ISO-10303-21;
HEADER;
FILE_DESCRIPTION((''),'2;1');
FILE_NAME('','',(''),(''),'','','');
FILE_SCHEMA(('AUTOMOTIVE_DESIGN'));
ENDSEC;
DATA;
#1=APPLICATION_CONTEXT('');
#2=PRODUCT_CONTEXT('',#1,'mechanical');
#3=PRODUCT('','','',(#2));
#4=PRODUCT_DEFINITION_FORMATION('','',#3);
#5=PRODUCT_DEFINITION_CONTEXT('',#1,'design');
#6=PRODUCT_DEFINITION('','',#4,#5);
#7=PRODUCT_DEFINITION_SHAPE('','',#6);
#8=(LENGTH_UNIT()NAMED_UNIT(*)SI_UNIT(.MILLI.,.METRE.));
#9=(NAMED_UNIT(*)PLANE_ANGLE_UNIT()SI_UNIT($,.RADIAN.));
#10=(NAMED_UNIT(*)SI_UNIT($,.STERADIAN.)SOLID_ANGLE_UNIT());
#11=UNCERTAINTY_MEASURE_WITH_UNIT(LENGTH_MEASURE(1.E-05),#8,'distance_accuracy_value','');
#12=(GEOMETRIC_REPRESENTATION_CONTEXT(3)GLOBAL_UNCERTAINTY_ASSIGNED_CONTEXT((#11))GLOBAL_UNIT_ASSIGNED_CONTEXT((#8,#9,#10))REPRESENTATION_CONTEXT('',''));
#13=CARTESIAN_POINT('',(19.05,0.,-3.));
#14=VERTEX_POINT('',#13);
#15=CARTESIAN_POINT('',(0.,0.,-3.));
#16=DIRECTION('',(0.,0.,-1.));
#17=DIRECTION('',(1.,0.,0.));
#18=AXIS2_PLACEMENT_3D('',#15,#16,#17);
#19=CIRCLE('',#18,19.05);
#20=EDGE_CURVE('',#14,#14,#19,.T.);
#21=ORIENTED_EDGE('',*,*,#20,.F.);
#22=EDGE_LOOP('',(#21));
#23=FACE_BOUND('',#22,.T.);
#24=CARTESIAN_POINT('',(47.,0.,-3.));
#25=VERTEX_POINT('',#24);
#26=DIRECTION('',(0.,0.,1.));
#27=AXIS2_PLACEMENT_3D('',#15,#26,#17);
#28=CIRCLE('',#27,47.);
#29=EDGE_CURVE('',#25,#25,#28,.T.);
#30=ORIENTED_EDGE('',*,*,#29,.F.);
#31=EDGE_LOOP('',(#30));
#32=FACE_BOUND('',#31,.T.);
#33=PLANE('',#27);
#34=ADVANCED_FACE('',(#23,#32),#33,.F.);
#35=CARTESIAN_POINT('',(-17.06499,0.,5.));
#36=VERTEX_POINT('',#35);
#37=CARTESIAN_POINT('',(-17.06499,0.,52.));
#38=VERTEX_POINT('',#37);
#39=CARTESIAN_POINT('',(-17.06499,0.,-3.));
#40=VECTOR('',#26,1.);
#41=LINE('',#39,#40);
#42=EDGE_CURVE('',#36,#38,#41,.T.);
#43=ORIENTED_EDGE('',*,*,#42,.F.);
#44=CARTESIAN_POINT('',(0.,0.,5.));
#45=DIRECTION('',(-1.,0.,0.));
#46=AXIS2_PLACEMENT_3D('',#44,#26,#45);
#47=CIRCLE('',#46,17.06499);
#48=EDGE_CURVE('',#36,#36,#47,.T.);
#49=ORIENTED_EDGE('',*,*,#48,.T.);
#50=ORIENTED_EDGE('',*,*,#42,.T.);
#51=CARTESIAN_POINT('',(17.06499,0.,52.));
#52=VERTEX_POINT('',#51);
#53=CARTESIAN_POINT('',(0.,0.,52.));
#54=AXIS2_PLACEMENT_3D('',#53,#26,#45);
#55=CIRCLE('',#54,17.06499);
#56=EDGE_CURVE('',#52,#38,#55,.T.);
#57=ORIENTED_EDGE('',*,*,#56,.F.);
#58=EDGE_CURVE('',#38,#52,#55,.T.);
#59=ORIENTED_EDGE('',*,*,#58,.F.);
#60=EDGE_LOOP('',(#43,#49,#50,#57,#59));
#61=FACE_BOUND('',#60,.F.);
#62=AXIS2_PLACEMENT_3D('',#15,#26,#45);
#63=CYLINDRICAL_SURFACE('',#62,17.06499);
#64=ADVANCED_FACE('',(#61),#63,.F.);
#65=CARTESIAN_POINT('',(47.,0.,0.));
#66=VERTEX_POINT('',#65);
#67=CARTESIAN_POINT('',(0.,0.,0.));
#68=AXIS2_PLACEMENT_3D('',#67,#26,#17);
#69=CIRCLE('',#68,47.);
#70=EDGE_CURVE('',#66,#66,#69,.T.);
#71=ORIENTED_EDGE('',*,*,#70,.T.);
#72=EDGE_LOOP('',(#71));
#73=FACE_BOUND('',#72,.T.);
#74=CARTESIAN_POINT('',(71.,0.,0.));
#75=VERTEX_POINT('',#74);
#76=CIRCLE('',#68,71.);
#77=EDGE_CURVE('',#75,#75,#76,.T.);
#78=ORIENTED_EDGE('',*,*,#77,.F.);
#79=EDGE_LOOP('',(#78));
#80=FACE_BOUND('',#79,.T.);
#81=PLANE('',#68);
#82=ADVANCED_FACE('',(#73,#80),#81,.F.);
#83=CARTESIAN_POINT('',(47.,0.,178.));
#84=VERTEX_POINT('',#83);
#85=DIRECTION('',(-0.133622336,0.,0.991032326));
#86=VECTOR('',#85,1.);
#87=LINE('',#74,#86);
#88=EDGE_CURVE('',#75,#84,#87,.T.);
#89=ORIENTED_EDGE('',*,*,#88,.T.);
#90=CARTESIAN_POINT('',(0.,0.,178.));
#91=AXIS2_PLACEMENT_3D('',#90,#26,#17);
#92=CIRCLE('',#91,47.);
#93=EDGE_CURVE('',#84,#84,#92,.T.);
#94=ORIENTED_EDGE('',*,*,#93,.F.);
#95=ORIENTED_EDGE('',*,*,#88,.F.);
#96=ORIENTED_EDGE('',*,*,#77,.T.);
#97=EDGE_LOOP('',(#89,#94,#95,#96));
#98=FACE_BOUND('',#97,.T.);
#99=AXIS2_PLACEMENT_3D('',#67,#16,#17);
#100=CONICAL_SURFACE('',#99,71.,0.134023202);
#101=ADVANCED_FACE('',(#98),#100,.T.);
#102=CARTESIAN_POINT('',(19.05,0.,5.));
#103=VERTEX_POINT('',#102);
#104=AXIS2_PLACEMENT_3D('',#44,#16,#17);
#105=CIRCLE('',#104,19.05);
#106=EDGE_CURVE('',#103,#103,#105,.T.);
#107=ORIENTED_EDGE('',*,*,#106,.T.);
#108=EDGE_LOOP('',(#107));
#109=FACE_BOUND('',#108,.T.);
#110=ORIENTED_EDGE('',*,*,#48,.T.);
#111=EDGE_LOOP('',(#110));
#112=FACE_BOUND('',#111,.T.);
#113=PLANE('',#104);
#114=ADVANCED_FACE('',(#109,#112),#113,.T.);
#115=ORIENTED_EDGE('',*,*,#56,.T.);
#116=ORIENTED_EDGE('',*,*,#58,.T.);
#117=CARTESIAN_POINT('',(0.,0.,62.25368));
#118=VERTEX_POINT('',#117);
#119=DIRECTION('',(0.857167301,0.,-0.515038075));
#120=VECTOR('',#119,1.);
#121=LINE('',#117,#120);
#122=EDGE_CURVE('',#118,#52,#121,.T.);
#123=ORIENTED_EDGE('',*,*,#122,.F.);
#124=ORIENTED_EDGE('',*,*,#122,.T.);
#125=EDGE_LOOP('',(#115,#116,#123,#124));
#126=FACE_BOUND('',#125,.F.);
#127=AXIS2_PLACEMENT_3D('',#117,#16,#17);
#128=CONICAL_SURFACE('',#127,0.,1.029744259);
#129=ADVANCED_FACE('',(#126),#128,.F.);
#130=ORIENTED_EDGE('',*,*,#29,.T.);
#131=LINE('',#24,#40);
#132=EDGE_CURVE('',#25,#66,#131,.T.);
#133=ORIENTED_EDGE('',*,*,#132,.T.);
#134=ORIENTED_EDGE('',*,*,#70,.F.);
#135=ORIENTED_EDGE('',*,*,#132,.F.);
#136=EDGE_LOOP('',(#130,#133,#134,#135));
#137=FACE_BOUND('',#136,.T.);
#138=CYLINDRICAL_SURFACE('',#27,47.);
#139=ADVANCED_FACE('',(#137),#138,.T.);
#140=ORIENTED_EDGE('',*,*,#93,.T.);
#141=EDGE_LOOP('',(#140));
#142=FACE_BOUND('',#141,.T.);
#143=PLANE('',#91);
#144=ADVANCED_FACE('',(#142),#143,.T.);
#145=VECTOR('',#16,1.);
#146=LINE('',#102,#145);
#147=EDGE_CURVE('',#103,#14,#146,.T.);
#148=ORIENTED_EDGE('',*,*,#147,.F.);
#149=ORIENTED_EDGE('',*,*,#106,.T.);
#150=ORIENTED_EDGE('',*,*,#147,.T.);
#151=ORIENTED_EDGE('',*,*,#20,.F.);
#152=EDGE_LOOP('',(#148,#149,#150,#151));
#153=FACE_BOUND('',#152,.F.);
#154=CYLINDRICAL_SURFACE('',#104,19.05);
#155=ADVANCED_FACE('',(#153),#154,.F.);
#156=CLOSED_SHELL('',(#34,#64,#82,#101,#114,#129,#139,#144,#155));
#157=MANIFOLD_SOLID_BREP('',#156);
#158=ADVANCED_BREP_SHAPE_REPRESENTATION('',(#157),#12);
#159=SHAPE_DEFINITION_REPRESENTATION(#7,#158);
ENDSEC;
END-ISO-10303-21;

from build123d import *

# Parameters (mm, degrees)
F3_D           = 34.12998
F3_DEPTH       = 55
F3_CBORE_D     = 38.1
F3_CBORE_DEPTH = 8
F3_TIP         = 10.2536804551


with BuildPart() as f1:
    # F0 (on Front) → F1 (revolve)
    with BuildSketch(Plane.XZ):
        Polygon((47, -3), (47, 0), (71, 0), (47, 178), (0, 178), (0, 0), (0, -3), align=None)
    revolve(axis=Axis((0, 0, 89), (0, 0, 1)))

    # F3
    with Locations(Plane(origin=(0, 0, -3), x_dir=(1, 0, 0), z_dir=(0, 0, -1))):
        with Locations((0, 0)):
            CounterBoreHole(F3_D / 2, F3_CBORE_D / 2, F3_CBORE_DEPTH, depth=F3_DEPTH)
            with Locations((0, 0, -(F3_DEPTH + F3_TIP / 2))):  # 118° drill point
                Cone(0, F3_D / 2, F3_TIP, mode=Mode.SUBTRACT)


solid = f1.part
